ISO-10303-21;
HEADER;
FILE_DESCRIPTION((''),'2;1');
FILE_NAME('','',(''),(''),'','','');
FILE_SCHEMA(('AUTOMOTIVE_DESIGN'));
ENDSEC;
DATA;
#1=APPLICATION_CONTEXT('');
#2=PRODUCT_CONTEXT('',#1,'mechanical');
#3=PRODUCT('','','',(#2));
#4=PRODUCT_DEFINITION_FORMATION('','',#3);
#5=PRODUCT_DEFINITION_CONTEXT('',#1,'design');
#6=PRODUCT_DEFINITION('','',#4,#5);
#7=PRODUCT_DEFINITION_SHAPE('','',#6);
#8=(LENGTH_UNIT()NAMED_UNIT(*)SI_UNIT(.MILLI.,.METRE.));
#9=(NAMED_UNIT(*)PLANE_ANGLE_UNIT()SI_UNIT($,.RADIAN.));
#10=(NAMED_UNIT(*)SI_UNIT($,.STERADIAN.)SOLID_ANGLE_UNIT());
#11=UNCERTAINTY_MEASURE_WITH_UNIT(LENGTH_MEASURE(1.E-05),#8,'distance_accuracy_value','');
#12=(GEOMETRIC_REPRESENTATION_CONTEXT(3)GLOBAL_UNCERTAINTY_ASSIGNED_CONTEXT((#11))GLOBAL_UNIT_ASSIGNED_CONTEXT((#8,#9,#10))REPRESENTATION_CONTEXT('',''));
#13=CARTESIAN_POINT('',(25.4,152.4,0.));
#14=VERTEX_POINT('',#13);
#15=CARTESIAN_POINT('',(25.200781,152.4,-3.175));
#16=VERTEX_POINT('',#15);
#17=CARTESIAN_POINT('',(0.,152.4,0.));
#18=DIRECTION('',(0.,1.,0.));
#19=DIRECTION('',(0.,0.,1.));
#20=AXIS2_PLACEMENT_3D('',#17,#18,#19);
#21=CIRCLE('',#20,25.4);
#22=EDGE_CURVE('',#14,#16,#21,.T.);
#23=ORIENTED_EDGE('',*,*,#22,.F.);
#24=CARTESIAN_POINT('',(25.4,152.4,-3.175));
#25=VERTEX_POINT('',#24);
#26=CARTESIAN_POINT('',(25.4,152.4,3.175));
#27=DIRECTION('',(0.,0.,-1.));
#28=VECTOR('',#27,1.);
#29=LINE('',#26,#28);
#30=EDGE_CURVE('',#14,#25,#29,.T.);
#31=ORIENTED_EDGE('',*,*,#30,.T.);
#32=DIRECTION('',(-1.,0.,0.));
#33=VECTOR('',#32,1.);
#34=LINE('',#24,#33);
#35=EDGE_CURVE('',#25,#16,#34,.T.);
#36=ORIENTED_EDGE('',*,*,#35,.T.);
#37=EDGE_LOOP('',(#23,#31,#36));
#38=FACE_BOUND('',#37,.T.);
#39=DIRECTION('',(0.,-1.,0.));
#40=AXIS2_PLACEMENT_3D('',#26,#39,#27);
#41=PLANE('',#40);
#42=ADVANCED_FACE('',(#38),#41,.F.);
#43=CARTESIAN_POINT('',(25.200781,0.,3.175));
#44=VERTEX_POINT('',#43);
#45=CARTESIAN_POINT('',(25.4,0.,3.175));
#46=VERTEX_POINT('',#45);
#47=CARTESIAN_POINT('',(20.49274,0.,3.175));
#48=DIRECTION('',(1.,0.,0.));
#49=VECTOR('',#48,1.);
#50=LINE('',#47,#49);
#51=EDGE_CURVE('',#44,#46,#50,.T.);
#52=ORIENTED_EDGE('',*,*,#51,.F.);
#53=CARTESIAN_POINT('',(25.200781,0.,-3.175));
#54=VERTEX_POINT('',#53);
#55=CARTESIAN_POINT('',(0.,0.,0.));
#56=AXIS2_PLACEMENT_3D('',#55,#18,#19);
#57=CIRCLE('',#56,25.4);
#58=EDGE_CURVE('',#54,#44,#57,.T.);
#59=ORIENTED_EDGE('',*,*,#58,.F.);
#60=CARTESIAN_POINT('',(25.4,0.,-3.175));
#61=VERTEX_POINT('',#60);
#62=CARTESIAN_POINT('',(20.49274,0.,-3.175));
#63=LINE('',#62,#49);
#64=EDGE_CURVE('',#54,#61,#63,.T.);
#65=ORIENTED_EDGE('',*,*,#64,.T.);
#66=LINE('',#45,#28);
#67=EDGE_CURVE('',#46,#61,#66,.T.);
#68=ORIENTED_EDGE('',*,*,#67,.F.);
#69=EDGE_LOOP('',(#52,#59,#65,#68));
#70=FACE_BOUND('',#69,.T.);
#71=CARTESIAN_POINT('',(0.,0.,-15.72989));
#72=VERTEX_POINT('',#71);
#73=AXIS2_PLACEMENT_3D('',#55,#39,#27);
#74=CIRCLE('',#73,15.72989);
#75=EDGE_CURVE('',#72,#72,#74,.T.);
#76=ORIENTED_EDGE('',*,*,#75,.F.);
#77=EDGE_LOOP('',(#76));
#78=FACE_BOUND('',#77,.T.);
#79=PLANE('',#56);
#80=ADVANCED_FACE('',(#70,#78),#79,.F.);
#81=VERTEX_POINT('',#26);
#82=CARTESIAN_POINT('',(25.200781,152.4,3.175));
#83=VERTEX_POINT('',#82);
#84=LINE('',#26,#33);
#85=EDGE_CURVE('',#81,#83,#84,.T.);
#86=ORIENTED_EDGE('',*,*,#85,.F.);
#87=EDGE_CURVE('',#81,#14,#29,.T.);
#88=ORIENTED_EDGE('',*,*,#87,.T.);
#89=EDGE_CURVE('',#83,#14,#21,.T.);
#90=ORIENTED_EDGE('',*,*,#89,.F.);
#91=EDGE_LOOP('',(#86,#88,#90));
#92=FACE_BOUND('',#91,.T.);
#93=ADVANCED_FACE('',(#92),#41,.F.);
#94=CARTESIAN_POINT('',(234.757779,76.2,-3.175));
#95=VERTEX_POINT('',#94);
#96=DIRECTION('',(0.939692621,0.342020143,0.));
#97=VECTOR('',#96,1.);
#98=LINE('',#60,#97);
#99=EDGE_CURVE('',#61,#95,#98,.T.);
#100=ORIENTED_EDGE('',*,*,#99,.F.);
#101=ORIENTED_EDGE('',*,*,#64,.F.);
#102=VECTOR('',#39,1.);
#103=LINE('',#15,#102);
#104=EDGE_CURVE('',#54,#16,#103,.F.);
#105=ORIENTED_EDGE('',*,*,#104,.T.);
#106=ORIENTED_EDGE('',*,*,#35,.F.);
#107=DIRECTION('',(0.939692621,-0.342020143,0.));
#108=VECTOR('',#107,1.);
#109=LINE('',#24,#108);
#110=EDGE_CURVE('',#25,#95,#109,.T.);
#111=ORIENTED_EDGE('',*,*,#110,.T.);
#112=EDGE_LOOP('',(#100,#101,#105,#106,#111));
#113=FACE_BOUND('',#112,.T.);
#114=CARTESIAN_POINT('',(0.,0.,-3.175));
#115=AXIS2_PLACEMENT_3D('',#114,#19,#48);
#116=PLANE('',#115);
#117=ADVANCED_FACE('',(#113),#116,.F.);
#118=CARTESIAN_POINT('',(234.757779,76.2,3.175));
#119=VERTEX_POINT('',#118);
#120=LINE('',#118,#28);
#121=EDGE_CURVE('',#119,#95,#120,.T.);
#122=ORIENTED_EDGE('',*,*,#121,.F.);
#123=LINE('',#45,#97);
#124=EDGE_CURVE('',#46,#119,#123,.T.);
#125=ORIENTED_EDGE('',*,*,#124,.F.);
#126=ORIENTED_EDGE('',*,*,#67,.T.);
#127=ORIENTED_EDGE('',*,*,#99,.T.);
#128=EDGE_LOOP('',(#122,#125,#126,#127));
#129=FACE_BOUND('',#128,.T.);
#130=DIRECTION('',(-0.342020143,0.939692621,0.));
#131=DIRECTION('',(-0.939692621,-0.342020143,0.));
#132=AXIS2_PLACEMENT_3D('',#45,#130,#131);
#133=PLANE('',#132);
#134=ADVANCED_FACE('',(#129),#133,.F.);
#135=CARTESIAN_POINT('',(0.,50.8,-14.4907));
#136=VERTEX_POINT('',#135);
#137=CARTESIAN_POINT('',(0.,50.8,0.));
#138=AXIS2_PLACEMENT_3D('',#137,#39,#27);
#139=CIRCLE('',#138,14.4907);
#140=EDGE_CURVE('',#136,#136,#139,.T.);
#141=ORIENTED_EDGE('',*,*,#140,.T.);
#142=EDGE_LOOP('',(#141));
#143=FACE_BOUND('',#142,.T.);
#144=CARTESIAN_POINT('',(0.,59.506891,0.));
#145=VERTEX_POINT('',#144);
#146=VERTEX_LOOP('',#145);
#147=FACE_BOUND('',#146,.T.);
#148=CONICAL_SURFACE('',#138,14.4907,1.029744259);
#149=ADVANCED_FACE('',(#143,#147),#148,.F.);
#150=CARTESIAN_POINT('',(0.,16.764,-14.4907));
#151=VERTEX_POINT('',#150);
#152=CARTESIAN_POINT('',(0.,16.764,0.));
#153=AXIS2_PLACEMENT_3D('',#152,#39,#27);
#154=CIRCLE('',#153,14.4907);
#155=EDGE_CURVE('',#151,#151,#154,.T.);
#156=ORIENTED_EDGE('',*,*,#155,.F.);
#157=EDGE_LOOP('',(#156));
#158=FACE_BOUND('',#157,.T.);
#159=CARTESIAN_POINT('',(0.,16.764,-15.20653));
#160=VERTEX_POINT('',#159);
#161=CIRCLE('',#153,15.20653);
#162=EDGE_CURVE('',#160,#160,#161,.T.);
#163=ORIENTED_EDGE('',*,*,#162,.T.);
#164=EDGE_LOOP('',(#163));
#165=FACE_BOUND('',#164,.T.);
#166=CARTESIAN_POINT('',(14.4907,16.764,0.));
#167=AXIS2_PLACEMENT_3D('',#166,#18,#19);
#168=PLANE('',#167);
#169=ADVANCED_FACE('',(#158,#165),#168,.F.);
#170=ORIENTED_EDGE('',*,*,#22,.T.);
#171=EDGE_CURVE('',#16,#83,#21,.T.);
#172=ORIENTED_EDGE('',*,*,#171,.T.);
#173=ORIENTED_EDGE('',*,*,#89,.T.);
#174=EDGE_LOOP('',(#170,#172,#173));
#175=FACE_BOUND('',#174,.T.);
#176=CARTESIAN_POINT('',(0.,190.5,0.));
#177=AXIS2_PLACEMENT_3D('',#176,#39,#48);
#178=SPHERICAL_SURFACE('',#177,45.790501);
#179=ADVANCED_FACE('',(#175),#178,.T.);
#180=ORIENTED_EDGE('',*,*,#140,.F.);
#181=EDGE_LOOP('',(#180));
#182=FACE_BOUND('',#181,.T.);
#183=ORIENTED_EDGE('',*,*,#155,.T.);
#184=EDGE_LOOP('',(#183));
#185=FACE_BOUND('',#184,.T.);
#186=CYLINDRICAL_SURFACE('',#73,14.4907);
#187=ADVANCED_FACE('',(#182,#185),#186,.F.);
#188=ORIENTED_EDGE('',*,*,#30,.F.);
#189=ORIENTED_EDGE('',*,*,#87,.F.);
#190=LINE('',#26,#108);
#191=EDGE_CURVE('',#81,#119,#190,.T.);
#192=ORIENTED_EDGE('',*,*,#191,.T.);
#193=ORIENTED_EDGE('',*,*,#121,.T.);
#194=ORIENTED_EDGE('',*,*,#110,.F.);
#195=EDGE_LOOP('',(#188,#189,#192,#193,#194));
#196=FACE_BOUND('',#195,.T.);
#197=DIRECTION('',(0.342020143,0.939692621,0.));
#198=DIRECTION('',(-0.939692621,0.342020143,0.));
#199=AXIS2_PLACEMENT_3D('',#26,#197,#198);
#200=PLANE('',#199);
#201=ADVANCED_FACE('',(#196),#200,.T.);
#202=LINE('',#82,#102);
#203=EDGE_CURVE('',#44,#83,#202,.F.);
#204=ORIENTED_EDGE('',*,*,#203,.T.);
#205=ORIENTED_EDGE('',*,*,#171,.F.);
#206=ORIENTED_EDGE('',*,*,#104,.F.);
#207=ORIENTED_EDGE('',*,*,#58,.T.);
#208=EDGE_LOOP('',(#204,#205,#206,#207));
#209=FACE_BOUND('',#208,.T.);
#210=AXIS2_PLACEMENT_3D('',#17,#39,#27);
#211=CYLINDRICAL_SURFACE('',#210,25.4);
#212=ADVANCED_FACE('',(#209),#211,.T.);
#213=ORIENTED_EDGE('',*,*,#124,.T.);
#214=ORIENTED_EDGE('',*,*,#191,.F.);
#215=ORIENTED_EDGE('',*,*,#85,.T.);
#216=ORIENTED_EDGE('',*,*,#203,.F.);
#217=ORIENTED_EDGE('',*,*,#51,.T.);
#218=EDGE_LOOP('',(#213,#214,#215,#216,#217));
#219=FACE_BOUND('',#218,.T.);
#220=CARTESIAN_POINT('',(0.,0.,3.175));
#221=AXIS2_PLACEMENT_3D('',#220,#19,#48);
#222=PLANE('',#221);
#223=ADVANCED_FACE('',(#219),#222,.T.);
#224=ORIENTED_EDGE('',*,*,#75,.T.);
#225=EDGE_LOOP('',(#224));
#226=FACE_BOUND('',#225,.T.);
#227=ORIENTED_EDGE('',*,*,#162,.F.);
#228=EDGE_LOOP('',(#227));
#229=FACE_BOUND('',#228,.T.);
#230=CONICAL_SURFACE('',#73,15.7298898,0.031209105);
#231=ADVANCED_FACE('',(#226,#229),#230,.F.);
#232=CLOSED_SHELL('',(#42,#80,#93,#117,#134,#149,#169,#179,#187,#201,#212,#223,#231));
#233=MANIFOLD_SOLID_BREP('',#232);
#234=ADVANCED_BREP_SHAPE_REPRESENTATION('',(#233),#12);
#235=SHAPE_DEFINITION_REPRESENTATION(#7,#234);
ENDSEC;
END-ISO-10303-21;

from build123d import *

# Parameters (mm, degrees)
SKETCH2_R           = 25.4
BOSS_EXTRUDE1_DEPTH = 152.4
BOSS_EXTRUDE2_DEPTH = 3.175


with BuildPart() as part:
    # Sketch2 → Boss-Extrude1 (new body)
    with BuildSketch(Plane(origin=(0, 0, 0), x_dir=(1, 0, 0), z_dir=(0, 1, 0))):
        with Locations(Location((0, 0, 0), (0, 0, 90))):
            Circle(SKETCH2_R)
    extrude(amount=BOSS_EXTRUDE1_DEPTH)

    # Sketch5 → 1 NPT Tapped Hole1 (revolve, cut)
    with BuildSketch(Plane(origin=(0, 0, 0), x_dir=(0, 0, -1), z_dir=(1, 0, 0))):
        Polygon((0, 0), (0, 59.506890972), (14.4907, 50.8), (14.4907, 16.764), (15.206530434, 16.764), (15.7298898, 0), align=None)
    revolve(axis=Axis((0, -6.35, 0), (0, 1, 0)), mode=Mode.SUBTRACT)



with BuildPart() as body_2:
    # Sketch7 → Boss-Extrude2 (new, symmetric)
    with BuildSketch(Plane.XY):
        Polygon((25.4, 152.4), (234.757779362, 76.2), (25.4, 0), (20.492740143, 0), (20.492740143, 152.4), align=None)
    extrude(amount=BOSS_EXTRUDE2_DEPTH, both=True)


with BuildPart() as part_1:
    add(part.part)

    add(body_2.part)  # Revolve1 merges body 2
    # Sketch8 → Revolve1 (revolve)
    with BuildSketch(Plane.XY):
        with BuildLine():
            Line((25.4, 152.4), (0, 152.4))
            Line((0, 152.4), (0, 236.290501198))
            ThreePointArc((0, 236.290501198), (43.825723586, 203.769361408), (25.4, 152.4))
        make_face()
    revolve(axis=Axis((0, 152.4, 0), (0, 1, 0)))


solid = part_1.part
